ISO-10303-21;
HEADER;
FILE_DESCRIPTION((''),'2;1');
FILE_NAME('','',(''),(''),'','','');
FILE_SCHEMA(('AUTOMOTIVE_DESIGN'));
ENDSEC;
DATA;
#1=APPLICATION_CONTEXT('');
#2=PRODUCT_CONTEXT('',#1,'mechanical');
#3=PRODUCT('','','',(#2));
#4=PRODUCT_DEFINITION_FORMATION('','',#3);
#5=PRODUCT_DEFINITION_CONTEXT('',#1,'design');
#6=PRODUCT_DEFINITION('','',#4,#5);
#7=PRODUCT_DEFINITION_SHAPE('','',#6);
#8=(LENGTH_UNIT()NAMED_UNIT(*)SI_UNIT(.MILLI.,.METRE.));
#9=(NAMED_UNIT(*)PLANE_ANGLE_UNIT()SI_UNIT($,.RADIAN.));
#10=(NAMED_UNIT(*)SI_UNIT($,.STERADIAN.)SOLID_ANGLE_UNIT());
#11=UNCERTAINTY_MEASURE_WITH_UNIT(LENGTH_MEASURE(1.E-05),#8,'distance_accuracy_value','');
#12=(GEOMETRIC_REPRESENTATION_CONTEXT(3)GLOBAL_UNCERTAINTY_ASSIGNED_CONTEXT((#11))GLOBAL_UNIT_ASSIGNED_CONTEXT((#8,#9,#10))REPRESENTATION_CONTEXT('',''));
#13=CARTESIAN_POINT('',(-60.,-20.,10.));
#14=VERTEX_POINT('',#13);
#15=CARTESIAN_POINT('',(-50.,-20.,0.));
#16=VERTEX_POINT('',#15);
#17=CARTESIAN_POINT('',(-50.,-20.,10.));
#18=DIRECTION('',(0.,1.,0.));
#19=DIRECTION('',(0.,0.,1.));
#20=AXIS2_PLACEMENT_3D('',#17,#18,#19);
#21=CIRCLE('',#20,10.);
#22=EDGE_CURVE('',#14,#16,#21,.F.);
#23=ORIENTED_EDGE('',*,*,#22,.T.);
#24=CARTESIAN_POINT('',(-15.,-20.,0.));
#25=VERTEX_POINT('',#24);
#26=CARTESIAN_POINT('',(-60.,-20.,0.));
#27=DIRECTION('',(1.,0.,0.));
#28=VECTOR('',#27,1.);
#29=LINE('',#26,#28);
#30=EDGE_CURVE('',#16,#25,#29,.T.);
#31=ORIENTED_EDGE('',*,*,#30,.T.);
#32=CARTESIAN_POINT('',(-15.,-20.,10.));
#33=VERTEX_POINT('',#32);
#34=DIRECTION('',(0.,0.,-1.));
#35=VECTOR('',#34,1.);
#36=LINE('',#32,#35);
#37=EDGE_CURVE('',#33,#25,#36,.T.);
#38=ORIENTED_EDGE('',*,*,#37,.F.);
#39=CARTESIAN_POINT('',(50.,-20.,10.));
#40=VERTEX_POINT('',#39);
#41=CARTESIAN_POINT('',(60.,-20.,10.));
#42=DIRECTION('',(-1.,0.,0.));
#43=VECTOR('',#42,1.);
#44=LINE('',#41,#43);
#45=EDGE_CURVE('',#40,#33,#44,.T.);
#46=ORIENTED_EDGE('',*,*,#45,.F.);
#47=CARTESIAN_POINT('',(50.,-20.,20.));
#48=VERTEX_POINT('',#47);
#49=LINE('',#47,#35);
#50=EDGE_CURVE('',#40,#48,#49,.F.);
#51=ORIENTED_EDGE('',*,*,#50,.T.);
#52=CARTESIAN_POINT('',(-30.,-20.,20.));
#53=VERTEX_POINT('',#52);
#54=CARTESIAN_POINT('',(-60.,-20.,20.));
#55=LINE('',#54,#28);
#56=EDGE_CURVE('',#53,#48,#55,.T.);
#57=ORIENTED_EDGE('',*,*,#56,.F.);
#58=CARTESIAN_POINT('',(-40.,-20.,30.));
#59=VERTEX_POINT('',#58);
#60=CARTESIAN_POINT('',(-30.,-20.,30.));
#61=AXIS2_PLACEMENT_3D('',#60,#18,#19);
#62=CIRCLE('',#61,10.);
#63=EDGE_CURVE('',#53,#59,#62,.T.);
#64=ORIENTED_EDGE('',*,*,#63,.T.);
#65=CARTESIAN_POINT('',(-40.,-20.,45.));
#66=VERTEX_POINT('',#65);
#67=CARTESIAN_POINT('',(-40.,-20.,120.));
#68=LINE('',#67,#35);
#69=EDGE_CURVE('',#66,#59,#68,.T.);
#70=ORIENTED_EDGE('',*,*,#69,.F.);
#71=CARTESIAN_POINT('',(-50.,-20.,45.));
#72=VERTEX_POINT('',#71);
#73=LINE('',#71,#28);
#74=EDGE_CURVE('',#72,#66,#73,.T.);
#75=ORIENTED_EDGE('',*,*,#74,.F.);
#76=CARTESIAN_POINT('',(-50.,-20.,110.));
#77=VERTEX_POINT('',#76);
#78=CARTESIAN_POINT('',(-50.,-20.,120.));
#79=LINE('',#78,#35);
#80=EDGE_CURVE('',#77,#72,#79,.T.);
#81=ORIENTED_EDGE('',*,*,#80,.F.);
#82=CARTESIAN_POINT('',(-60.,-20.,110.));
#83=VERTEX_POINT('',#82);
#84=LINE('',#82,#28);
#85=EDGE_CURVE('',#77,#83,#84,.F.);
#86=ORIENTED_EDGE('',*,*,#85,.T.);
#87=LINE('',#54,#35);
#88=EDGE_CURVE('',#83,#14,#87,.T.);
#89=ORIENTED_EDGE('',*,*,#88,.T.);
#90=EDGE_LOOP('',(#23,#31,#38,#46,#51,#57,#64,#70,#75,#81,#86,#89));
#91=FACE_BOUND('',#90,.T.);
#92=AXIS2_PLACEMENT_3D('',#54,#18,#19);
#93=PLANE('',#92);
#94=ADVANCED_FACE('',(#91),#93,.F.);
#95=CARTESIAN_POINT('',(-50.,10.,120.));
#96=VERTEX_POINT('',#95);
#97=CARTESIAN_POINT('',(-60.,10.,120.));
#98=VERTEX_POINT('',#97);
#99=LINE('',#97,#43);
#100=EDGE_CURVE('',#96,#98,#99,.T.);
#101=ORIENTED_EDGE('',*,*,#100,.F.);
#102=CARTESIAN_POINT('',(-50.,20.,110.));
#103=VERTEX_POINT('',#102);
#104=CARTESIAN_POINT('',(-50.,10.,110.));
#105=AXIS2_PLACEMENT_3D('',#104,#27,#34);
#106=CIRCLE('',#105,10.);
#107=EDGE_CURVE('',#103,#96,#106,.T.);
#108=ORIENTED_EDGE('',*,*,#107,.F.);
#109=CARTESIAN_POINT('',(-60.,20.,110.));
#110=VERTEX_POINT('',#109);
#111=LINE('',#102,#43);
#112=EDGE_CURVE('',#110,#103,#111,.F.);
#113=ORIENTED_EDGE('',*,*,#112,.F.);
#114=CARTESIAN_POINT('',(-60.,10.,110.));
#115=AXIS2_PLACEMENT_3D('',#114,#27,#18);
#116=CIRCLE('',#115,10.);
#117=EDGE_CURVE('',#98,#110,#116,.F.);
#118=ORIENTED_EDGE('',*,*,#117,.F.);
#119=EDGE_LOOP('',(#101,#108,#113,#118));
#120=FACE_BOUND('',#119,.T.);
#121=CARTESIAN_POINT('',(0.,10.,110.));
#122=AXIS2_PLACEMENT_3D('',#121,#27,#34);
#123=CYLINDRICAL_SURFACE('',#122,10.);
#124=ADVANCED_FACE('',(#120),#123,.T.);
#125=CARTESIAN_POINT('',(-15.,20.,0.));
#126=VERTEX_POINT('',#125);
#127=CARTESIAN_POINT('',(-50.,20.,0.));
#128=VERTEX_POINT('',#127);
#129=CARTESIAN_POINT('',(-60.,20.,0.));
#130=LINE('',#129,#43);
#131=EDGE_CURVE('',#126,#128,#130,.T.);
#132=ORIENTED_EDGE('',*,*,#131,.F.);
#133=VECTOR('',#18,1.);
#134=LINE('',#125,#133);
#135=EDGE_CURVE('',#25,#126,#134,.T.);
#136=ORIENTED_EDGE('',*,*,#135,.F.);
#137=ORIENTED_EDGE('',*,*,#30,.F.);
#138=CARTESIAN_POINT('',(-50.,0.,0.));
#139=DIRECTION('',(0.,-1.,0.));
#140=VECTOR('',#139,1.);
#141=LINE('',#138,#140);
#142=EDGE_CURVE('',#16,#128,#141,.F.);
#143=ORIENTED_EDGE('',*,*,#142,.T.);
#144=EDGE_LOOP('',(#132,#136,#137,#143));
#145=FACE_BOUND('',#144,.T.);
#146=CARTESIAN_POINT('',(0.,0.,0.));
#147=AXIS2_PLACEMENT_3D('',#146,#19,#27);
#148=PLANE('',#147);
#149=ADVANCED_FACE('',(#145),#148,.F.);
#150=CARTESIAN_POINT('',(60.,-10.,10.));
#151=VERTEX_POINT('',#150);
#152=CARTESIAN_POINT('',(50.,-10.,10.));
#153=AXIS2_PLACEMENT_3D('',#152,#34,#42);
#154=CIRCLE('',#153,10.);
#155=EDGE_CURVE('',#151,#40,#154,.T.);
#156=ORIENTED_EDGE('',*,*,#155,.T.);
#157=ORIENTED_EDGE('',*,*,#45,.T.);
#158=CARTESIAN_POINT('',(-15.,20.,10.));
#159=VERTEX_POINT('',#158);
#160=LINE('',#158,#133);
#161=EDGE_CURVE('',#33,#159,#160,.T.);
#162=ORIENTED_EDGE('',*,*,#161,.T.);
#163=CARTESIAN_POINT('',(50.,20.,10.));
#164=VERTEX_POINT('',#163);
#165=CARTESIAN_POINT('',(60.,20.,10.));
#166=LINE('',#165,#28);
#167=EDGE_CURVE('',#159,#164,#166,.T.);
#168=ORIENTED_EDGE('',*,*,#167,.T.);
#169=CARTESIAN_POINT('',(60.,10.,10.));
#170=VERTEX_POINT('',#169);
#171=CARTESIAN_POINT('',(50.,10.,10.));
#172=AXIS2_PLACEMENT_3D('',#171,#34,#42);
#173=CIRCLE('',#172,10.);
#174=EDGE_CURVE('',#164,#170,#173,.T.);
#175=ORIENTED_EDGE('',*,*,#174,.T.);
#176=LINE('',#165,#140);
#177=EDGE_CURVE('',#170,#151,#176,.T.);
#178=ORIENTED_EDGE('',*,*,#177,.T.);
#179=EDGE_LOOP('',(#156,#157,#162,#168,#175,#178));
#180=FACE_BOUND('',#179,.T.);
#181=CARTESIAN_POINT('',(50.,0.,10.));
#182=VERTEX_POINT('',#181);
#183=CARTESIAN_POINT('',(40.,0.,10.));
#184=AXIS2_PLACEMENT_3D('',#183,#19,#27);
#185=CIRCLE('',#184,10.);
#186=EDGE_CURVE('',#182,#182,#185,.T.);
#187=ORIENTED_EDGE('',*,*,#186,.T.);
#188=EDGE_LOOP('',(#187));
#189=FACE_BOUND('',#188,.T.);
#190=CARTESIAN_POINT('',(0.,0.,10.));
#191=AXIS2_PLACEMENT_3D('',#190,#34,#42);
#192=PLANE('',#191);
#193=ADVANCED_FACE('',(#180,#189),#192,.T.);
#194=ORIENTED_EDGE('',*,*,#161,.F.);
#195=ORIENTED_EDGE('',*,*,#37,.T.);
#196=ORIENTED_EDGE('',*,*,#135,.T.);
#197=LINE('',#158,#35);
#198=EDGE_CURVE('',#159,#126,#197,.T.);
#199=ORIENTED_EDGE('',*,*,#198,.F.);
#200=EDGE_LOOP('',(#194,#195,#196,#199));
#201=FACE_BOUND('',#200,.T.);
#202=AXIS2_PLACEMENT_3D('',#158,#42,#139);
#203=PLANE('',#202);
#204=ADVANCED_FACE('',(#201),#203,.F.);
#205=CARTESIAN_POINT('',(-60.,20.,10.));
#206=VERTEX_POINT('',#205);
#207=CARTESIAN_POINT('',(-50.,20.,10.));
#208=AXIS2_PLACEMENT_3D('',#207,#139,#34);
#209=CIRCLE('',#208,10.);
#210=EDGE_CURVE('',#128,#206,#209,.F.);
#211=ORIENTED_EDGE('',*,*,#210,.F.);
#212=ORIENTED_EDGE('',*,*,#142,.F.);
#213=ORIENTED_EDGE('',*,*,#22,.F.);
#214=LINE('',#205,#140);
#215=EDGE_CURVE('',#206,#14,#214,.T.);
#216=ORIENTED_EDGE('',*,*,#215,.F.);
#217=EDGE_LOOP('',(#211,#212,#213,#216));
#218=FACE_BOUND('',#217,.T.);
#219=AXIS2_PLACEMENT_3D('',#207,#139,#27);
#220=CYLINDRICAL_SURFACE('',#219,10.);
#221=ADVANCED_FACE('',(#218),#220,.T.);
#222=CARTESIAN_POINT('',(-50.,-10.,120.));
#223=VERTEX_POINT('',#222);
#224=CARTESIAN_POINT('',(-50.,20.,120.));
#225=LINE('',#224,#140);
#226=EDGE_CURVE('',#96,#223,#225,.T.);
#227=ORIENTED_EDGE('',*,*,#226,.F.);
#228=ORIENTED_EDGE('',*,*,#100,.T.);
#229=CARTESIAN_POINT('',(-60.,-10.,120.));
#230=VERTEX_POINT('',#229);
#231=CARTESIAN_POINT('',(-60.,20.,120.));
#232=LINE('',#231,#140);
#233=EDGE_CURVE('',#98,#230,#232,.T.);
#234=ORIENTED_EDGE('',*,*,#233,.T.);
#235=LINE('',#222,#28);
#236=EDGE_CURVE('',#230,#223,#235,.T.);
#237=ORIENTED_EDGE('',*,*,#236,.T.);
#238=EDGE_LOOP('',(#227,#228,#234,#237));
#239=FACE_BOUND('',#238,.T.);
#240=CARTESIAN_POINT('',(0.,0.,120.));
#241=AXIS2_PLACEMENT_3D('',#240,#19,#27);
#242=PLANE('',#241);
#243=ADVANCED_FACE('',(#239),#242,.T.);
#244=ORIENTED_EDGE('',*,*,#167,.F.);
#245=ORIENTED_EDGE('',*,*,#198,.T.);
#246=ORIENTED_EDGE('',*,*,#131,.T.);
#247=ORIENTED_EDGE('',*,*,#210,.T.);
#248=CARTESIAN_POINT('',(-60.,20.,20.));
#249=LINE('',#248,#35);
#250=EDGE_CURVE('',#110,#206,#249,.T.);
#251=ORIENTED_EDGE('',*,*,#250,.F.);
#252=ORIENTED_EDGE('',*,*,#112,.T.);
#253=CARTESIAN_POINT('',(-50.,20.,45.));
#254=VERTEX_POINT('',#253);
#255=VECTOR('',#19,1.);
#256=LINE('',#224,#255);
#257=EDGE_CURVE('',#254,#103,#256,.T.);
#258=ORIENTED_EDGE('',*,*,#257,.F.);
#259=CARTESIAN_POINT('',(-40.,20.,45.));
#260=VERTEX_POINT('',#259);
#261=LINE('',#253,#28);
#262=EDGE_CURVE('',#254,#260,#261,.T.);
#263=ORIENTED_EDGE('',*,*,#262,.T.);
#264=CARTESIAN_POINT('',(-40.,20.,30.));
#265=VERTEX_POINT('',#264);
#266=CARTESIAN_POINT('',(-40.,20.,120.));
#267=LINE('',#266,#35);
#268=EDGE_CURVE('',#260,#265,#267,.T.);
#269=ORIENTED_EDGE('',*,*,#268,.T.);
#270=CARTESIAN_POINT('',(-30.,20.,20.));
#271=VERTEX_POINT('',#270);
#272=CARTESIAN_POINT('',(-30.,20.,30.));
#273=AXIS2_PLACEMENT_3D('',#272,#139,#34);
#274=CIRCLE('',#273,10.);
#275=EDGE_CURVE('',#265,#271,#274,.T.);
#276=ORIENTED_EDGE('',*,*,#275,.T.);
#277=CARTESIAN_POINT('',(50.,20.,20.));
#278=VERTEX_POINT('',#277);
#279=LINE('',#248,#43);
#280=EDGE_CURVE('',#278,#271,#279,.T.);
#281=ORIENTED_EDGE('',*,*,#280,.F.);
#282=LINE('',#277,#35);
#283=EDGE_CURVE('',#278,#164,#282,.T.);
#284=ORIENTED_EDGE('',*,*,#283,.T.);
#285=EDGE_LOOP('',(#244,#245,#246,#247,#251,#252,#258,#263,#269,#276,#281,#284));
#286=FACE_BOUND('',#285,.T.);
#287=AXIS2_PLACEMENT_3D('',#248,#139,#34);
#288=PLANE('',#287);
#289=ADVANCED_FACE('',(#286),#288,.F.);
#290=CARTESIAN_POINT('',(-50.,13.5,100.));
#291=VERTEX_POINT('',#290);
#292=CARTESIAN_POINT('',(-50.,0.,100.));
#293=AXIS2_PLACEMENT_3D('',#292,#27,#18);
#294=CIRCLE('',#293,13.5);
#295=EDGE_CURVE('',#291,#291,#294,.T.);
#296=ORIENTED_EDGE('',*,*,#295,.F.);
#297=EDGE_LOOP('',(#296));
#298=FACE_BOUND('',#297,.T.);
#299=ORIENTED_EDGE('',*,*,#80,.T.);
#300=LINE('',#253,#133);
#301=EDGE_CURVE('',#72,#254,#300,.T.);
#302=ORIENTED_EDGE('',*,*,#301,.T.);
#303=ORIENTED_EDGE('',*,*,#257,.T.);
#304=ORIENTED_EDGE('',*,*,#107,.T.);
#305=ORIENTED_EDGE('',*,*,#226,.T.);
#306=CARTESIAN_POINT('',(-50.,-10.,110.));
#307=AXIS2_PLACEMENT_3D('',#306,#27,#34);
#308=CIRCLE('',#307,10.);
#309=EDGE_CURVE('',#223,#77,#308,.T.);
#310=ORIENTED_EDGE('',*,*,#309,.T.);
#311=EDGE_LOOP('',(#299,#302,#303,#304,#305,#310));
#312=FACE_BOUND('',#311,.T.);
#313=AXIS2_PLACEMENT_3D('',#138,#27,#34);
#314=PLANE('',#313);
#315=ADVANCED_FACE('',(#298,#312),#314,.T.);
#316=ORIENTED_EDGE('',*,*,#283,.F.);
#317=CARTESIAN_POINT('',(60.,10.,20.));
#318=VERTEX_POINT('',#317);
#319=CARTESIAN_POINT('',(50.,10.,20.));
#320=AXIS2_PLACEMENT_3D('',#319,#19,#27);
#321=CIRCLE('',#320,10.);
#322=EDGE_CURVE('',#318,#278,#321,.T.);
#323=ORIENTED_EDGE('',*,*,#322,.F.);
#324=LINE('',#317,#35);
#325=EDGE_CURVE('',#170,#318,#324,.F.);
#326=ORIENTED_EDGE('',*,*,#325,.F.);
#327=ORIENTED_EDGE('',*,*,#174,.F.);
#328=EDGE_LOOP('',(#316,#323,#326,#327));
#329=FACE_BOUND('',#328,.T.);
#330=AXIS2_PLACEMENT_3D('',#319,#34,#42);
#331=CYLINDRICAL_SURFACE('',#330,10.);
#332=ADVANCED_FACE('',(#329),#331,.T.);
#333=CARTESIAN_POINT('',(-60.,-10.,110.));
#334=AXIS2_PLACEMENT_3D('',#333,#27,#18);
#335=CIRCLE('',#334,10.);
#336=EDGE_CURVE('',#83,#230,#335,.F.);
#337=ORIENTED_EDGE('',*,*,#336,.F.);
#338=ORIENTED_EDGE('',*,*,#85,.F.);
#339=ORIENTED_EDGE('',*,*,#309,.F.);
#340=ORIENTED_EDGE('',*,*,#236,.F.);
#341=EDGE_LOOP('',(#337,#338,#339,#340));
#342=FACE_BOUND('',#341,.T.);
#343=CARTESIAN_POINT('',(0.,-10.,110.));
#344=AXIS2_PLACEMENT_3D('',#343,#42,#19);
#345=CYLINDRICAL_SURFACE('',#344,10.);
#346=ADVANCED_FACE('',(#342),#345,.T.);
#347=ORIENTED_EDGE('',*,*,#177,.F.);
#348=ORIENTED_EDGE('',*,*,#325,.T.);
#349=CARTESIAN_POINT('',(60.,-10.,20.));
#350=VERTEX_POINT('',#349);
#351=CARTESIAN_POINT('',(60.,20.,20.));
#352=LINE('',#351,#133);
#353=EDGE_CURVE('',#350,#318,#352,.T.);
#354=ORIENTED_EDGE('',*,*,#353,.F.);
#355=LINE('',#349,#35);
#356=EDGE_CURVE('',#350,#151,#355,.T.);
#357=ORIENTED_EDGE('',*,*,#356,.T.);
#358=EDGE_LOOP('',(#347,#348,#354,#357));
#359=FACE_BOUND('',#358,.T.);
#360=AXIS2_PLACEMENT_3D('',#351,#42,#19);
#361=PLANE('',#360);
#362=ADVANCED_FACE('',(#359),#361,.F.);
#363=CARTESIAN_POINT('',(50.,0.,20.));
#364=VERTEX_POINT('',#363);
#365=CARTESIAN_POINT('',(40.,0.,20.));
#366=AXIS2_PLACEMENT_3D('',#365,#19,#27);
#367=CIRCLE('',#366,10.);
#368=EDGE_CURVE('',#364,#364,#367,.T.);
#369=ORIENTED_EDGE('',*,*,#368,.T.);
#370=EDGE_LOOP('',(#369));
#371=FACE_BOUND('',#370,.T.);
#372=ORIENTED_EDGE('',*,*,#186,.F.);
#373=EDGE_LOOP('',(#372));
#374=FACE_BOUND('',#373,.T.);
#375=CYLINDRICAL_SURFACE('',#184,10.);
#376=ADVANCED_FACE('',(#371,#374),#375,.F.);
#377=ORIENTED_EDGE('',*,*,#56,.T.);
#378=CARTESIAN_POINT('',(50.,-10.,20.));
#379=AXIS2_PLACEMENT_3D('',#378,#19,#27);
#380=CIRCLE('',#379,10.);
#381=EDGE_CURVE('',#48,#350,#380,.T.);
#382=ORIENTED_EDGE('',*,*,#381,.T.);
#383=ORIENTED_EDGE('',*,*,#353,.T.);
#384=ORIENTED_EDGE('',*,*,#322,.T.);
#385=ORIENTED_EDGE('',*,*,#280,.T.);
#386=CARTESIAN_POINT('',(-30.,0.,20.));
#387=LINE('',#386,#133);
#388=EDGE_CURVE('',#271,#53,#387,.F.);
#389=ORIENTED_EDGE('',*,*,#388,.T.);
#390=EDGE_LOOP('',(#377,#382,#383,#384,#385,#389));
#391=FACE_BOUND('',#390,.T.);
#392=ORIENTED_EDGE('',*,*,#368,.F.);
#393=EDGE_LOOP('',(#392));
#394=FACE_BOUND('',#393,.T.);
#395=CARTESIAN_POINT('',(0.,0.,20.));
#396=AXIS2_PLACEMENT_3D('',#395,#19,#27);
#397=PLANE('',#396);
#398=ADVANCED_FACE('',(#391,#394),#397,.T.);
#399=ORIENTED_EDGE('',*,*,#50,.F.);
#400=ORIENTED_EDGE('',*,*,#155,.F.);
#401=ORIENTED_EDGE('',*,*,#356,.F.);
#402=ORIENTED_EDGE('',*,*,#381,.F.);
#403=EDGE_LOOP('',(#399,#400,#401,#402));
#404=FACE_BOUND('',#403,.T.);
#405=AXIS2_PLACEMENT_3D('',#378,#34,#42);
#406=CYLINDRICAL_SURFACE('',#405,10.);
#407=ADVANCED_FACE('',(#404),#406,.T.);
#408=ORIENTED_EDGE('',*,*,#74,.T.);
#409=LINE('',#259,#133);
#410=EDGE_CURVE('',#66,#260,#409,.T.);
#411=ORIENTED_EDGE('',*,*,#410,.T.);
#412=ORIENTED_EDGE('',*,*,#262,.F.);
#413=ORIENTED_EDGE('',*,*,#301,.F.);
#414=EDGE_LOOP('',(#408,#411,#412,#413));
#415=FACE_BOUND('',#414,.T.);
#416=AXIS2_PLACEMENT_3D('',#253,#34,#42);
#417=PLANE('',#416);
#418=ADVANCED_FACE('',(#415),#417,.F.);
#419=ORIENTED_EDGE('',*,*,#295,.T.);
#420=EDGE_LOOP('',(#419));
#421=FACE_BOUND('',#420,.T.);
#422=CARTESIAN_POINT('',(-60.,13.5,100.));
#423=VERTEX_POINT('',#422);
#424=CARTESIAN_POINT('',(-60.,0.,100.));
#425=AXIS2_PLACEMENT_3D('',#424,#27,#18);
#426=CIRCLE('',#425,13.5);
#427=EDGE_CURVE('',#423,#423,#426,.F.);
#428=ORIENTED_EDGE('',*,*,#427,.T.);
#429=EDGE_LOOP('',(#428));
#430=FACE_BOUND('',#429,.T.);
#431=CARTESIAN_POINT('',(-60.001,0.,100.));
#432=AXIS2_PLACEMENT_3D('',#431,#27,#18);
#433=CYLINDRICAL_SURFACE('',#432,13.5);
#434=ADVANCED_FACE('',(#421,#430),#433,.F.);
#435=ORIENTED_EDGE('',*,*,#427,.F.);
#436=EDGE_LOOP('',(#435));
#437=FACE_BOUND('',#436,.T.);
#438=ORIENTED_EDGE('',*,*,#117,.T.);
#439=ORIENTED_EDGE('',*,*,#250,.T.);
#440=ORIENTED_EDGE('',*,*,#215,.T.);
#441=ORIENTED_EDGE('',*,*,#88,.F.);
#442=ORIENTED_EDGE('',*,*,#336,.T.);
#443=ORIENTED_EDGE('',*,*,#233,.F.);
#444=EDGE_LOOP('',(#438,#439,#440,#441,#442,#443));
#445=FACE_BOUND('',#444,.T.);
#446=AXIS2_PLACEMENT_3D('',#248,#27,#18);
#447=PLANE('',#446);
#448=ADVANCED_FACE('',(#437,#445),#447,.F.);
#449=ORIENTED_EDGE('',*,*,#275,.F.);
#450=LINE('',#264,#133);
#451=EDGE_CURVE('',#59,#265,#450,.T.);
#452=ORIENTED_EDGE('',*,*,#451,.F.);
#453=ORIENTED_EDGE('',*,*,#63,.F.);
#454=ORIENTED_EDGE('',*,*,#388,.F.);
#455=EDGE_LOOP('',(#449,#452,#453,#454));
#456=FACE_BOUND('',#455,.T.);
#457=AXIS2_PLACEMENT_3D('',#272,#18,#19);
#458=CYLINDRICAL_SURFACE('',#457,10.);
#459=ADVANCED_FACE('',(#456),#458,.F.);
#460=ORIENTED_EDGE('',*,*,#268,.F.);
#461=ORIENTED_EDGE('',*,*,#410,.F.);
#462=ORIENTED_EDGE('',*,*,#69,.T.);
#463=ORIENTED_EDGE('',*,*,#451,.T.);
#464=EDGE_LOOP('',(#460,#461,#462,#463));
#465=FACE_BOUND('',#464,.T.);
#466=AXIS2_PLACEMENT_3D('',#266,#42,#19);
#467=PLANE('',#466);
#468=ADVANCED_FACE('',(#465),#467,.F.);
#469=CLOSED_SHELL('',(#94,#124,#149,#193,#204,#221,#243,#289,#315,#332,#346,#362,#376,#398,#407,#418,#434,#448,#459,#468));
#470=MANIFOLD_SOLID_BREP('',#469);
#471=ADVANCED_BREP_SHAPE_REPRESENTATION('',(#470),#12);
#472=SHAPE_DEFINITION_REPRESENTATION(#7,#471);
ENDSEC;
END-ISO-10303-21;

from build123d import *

# Parameters (mm, degrees)
SKETCH2_W           = 120
SKETCH2_H           = 40
BOSS_EXTRUDE1_DEPTH = 20
SKETCH3_W           = 20
SKETCH3_H           = 40
BOSS_EXTRUDE2_DEPTH = 100
SKETCH4_W           = 75
SKETCH4_H           = 40
CUT_EXTRUDE1_DEPTH  = 10
SKETCH5_W           = 75
SKETCH5_H           = 40
CUT_EXTRUDE2_DEPTH  = 10
CUT_EXTRUDE3_REACH  = 12
SKETCH6_R           = 13.5
FILLET2_R           = 10
SKETCH7_R           = 10
CUT_EXTRUDE4_DEPTH  = 10
FILLET3_R           = 10


with BuildPart() as part:
    # Sketch2 → Boss-Extrude1 (new body)
    with BuildSketch(Plane.XY):
        Rectangle(SKETCH2_W, SKETCH2_H)
    extrude(amount=BOSS_EXTRUDE1_DEPTH)

    # Sketch3 → Boss-Extrude2 (add)
    with BuildSketch(Plane.XY.offset(20)):
        with Locations((-50, 0)):
            Rectangle(SKETCH3_W, SKETCH3_H)
    extrude(amount=BOSS_EXTRUDE2_DEPTH)

    # Sketch4 → Cut-Extrude1 (cut)
    with BuildSketch(Plane(origin=(0, 0, 0), x_dir=(-1, 0, 0), z_dir=(0, 0, -1))):
        with Locations((-22.5, 0)):
            Rectangle(SKETCH4_W, SKETCH4_H)
    extrude(amount=-CUT_EXTRUDE1_DEPTH, mode=Mode.SUBTRACT)

    # Sketch5 → Cut-Extrude2 (cut)
    with BuildSketch(Plane(origin=(-40, 0, 0), x_dir=(0, 0, -1), z_dir=(1, 0, 0))):
        with Locations((-82.5, 0)):
            Rectangle(SKETCH5_W, SKETCH5_H)
    extrude(amount=-CUT_EXTRUDE2_DEPTH, mode=Mode.SUBTRACT)

    # Sketch6 → Cut-Extrude3 (cut, up to next)
    with BuildSketch(Plane(origin=(-50, 0, 0), x_dir=(0, 0, -1), z_dir=(1, 0, 0)), mode=Mode.PRIVATE) as cut_extrude3_sk1:
        with Locations((-100, 0)):
            Circle(SKETCH6_R)
    cut_extrude3_tool1 = extrude(cut_extrude3_sk1.sketch, amount=-CUT_EXTRUDE3_REACH, mode=Mode.PRIVATE) & part.part
    add(cut_extrude3_tool1.solids().sort_by_distance((-50, 0, 100))[0], mode=Mode.SUBTRACT)

    # Fillet2
    fillet2_edges = [part.edges().sort_by_distance(p)[0] for p in [
        (60, 20, 15),
        (60, -20, 15),
        (-55, -20, 120),
        (-55, 20, 120),
        (-60, 0, 0),
    ]]
    fillet(fillet2_edges, radius=FILLET2_R)

    # Sketch7 → Cut-Extrude4 (cut)
    with BuildSketch(Plane.XY.offset(20)):
        with Locations((40, 0)):
            Circle(SKETCH7_R)
    extrude(amount=-CUT_EXTRUDE4_DEPTH, mode=Mode.SUBTRACT)

    # Fillet3
    fillet3_edges = [part.edges().sort_by_distance(p)[0] for p in [
        (-40, 0, 20),
    ]]
    fillet(fillet3_edges, radius=FILLET3_R)


solid = part.part
